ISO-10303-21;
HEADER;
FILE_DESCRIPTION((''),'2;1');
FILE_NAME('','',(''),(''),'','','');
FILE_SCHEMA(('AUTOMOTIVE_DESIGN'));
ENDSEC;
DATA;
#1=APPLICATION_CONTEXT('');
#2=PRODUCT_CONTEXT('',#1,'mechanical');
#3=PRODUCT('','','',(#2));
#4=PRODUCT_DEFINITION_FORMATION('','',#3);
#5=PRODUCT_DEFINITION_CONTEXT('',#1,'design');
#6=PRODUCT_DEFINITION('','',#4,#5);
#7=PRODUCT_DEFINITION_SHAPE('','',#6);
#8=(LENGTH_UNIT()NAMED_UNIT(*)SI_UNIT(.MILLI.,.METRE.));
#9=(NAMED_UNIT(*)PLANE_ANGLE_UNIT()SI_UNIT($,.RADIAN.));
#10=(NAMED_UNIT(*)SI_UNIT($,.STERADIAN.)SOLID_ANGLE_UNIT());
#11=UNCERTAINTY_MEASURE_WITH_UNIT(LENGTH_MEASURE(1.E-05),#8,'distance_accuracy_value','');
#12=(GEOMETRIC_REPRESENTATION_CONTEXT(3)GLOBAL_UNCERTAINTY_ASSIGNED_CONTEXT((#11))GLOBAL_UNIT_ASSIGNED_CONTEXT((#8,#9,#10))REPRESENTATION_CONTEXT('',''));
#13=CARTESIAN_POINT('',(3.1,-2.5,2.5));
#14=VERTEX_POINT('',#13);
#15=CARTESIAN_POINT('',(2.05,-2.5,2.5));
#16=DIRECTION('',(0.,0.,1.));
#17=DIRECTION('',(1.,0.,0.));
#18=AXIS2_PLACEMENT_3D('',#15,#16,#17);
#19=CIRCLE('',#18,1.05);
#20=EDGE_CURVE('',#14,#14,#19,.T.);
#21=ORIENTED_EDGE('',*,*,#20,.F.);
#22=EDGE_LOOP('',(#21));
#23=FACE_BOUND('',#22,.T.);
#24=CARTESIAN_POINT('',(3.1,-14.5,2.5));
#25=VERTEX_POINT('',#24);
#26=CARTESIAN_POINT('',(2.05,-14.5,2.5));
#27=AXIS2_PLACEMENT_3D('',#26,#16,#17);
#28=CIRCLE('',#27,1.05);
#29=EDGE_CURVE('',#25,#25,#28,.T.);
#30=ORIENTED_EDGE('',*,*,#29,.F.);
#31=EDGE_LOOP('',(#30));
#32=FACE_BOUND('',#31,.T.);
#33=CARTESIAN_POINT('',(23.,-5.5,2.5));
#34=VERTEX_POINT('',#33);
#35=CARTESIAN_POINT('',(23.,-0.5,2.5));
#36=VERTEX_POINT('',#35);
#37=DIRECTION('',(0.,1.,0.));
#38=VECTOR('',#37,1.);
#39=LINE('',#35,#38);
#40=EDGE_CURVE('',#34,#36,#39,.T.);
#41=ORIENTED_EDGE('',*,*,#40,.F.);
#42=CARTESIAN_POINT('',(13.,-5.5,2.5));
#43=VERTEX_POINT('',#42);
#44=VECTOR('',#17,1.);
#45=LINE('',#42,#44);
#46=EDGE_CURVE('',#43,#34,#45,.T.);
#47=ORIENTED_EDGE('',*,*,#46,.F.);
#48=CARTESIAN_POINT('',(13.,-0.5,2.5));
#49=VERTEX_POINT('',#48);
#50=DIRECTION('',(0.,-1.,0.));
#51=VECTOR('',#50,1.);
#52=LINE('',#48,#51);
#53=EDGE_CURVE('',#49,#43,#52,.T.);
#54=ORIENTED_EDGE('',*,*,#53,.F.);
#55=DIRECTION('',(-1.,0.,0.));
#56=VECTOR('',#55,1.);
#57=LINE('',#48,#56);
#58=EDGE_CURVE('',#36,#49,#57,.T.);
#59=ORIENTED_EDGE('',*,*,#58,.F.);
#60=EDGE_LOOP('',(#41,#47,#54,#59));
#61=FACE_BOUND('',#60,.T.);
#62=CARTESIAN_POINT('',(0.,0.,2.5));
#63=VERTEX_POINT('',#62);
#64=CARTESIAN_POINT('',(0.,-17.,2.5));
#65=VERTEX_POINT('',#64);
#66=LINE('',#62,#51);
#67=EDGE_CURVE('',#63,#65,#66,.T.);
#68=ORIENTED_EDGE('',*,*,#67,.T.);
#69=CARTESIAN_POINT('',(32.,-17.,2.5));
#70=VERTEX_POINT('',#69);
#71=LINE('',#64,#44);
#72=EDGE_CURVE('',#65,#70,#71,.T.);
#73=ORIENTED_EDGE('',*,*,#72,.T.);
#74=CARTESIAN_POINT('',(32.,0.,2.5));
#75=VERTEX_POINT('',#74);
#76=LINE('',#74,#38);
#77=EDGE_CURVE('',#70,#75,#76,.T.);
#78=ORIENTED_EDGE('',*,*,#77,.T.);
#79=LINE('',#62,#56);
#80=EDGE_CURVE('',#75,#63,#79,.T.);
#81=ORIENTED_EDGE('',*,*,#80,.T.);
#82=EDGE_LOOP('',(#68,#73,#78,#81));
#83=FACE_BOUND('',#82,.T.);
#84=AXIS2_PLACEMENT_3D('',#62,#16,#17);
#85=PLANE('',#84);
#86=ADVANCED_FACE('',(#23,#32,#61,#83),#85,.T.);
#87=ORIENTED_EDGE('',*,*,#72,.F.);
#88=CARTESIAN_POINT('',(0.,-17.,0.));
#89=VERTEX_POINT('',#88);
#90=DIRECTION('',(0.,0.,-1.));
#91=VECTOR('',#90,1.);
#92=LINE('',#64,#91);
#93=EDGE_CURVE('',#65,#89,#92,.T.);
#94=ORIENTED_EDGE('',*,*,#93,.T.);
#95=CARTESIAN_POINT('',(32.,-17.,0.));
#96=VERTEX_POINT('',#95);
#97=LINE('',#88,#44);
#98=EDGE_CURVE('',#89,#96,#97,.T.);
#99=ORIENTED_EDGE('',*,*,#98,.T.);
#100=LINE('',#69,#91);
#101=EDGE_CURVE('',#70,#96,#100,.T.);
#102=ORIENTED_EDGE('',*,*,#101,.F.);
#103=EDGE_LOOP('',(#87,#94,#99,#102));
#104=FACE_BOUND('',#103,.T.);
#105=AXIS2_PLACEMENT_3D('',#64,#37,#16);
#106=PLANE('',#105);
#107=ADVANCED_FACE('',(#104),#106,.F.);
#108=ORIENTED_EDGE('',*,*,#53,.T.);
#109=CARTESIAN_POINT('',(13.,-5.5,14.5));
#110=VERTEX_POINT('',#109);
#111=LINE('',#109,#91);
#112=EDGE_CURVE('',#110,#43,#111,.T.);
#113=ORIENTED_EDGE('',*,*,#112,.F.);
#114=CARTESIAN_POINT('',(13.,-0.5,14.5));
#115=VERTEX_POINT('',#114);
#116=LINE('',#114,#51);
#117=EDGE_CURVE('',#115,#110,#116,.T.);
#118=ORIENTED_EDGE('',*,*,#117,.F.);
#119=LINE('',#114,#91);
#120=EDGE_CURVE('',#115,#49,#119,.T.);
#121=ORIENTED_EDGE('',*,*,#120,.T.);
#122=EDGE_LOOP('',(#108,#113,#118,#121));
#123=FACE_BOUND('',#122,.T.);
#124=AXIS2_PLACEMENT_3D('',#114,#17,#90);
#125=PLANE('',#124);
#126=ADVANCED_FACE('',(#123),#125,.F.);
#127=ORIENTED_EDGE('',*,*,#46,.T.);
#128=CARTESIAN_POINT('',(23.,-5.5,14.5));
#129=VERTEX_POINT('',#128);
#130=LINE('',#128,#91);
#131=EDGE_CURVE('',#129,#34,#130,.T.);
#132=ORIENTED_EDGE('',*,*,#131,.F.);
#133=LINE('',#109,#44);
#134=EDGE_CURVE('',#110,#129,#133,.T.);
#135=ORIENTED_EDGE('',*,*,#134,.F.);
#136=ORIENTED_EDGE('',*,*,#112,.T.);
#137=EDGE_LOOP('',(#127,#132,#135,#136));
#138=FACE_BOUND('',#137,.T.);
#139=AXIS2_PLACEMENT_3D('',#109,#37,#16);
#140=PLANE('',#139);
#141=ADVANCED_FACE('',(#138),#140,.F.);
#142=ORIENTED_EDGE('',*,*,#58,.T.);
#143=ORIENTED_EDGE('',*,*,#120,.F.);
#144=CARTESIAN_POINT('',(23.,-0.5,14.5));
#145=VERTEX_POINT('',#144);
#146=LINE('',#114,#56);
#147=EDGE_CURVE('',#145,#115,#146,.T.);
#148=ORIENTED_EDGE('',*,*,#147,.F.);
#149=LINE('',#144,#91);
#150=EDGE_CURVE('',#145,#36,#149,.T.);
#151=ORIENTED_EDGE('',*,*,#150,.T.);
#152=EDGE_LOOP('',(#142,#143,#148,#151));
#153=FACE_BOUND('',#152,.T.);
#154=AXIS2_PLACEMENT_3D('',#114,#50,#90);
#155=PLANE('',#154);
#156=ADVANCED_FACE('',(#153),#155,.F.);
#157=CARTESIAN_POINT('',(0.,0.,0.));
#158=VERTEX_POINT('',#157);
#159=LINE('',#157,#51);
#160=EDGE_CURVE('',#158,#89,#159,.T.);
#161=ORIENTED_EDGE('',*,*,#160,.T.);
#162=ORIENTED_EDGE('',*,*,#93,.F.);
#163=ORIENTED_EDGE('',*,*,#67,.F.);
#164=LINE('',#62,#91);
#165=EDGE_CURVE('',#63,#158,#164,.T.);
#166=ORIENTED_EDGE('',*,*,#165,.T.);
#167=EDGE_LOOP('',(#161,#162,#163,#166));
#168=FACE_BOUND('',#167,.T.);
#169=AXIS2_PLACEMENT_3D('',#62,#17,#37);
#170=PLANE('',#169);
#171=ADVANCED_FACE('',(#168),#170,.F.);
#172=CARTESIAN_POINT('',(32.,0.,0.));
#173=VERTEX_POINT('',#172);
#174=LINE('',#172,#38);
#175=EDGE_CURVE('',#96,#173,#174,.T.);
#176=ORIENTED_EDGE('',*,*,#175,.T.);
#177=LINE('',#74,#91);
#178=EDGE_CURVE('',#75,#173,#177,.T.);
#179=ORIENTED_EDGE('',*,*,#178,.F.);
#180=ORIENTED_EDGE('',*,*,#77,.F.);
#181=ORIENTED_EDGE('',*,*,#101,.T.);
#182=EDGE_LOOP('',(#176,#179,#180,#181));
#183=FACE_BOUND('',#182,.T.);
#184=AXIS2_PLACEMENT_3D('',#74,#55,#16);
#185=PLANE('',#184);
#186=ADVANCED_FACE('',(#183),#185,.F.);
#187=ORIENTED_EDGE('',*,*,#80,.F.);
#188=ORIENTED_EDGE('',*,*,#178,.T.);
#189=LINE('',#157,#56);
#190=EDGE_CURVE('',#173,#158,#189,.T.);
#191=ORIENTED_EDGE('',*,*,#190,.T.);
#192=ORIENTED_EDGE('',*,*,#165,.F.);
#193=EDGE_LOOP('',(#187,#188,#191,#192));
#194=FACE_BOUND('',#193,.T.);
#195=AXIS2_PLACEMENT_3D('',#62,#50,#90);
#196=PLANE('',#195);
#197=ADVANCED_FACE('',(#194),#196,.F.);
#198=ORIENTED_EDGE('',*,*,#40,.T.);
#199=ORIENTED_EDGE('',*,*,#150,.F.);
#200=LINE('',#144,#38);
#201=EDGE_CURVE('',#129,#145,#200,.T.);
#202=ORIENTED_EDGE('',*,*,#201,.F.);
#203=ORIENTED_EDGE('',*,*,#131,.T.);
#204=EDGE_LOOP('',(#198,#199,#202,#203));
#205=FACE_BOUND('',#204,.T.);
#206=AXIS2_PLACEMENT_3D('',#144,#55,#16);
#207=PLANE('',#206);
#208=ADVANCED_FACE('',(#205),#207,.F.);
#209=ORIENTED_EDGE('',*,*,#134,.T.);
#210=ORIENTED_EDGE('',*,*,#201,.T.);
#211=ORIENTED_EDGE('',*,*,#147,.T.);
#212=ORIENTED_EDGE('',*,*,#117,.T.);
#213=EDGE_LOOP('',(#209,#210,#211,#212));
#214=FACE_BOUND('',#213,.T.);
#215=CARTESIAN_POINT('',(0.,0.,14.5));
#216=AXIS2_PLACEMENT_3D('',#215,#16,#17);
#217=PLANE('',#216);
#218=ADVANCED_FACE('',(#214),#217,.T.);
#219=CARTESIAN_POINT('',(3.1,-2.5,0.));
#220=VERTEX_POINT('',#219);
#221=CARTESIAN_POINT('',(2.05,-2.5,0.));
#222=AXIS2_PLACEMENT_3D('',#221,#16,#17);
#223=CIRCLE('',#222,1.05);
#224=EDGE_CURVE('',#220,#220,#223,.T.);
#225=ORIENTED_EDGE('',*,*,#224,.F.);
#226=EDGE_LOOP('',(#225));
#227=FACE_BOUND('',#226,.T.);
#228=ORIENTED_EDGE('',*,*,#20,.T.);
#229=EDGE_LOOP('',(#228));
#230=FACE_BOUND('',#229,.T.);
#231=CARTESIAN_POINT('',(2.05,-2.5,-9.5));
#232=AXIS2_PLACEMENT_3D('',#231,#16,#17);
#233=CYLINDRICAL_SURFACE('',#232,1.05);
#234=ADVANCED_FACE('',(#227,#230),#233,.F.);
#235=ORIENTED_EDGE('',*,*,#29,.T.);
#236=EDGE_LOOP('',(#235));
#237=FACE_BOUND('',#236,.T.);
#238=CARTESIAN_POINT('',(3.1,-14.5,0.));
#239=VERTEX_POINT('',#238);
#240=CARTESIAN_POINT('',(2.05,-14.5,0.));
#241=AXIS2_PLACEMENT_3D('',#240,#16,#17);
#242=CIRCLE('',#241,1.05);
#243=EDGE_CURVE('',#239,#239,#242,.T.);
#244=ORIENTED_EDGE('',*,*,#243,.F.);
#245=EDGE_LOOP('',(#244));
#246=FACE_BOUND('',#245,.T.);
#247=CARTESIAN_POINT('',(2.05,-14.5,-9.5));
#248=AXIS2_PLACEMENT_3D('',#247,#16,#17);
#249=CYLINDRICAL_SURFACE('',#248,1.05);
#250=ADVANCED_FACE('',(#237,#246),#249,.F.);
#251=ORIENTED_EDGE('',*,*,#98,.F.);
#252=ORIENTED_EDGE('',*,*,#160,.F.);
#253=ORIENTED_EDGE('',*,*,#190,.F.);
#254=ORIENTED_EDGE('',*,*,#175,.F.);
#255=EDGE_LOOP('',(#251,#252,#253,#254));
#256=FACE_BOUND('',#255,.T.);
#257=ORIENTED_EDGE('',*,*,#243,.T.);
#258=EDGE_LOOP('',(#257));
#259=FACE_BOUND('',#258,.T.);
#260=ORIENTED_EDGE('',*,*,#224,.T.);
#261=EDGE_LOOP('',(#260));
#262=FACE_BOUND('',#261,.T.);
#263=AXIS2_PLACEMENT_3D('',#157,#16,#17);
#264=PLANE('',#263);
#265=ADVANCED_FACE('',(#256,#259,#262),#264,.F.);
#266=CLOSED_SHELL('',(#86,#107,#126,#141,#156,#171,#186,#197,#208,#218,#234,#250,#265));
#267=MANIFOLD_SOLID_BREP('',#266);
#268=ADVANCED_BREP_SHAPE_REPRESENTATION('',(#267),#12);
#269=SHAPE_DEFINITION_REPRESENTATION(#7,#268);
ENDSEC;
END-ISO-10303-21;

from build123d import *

# Parameters (mm, degrees)
SKETCH1_W           = 32
SKETCH1_H           = 17
BOSS_EXTRUDE1_DEPTH = 2.5
SKETCH2_W           = 10
SKETCH2_H           = 5
BOSS_EXTRUDE2_DEPTH = 12
SKETCH3_R           = 1.05
CUT_EXTRUDE1_DEPTH  = 12


with BuildPart() as part:
    # Sketch1 → Boss-Extrude1 (new body)
    with BuildSketch(Plane.XY):
        with Locations((16, -8.5)):
            Rectangle(SKETCH1_W, SKETCH1_H)
    extrude(amount=BOSS_EXTRUDE1_DEPTH)

    # Sketch2 → Boss-Extrude2 (add)
    with BuildSketch(Plane.XY.offset(2.5)):
        with Locations((18, -3)):
            Rectangle(SKETCH2_W, SKETCH2_H)
    extrude(amount=BOSS_EXTRUDE2_DEPTH)

    # Sketch3 → Cut-Extrude1 (cut)
    with BuildSketch(Plane.XY.offset(2.5)):
        with Locations((2.05, -2.5)):
            Circle(SKETCH3_R)
        with Locations((2.05, -14.5)):
            Circle(SKETCH3_R)
    extrude(amount=-CUT_EXTRUDE1_DEPTH, mode=Mode.SUBTRACT)


solid = part.part
